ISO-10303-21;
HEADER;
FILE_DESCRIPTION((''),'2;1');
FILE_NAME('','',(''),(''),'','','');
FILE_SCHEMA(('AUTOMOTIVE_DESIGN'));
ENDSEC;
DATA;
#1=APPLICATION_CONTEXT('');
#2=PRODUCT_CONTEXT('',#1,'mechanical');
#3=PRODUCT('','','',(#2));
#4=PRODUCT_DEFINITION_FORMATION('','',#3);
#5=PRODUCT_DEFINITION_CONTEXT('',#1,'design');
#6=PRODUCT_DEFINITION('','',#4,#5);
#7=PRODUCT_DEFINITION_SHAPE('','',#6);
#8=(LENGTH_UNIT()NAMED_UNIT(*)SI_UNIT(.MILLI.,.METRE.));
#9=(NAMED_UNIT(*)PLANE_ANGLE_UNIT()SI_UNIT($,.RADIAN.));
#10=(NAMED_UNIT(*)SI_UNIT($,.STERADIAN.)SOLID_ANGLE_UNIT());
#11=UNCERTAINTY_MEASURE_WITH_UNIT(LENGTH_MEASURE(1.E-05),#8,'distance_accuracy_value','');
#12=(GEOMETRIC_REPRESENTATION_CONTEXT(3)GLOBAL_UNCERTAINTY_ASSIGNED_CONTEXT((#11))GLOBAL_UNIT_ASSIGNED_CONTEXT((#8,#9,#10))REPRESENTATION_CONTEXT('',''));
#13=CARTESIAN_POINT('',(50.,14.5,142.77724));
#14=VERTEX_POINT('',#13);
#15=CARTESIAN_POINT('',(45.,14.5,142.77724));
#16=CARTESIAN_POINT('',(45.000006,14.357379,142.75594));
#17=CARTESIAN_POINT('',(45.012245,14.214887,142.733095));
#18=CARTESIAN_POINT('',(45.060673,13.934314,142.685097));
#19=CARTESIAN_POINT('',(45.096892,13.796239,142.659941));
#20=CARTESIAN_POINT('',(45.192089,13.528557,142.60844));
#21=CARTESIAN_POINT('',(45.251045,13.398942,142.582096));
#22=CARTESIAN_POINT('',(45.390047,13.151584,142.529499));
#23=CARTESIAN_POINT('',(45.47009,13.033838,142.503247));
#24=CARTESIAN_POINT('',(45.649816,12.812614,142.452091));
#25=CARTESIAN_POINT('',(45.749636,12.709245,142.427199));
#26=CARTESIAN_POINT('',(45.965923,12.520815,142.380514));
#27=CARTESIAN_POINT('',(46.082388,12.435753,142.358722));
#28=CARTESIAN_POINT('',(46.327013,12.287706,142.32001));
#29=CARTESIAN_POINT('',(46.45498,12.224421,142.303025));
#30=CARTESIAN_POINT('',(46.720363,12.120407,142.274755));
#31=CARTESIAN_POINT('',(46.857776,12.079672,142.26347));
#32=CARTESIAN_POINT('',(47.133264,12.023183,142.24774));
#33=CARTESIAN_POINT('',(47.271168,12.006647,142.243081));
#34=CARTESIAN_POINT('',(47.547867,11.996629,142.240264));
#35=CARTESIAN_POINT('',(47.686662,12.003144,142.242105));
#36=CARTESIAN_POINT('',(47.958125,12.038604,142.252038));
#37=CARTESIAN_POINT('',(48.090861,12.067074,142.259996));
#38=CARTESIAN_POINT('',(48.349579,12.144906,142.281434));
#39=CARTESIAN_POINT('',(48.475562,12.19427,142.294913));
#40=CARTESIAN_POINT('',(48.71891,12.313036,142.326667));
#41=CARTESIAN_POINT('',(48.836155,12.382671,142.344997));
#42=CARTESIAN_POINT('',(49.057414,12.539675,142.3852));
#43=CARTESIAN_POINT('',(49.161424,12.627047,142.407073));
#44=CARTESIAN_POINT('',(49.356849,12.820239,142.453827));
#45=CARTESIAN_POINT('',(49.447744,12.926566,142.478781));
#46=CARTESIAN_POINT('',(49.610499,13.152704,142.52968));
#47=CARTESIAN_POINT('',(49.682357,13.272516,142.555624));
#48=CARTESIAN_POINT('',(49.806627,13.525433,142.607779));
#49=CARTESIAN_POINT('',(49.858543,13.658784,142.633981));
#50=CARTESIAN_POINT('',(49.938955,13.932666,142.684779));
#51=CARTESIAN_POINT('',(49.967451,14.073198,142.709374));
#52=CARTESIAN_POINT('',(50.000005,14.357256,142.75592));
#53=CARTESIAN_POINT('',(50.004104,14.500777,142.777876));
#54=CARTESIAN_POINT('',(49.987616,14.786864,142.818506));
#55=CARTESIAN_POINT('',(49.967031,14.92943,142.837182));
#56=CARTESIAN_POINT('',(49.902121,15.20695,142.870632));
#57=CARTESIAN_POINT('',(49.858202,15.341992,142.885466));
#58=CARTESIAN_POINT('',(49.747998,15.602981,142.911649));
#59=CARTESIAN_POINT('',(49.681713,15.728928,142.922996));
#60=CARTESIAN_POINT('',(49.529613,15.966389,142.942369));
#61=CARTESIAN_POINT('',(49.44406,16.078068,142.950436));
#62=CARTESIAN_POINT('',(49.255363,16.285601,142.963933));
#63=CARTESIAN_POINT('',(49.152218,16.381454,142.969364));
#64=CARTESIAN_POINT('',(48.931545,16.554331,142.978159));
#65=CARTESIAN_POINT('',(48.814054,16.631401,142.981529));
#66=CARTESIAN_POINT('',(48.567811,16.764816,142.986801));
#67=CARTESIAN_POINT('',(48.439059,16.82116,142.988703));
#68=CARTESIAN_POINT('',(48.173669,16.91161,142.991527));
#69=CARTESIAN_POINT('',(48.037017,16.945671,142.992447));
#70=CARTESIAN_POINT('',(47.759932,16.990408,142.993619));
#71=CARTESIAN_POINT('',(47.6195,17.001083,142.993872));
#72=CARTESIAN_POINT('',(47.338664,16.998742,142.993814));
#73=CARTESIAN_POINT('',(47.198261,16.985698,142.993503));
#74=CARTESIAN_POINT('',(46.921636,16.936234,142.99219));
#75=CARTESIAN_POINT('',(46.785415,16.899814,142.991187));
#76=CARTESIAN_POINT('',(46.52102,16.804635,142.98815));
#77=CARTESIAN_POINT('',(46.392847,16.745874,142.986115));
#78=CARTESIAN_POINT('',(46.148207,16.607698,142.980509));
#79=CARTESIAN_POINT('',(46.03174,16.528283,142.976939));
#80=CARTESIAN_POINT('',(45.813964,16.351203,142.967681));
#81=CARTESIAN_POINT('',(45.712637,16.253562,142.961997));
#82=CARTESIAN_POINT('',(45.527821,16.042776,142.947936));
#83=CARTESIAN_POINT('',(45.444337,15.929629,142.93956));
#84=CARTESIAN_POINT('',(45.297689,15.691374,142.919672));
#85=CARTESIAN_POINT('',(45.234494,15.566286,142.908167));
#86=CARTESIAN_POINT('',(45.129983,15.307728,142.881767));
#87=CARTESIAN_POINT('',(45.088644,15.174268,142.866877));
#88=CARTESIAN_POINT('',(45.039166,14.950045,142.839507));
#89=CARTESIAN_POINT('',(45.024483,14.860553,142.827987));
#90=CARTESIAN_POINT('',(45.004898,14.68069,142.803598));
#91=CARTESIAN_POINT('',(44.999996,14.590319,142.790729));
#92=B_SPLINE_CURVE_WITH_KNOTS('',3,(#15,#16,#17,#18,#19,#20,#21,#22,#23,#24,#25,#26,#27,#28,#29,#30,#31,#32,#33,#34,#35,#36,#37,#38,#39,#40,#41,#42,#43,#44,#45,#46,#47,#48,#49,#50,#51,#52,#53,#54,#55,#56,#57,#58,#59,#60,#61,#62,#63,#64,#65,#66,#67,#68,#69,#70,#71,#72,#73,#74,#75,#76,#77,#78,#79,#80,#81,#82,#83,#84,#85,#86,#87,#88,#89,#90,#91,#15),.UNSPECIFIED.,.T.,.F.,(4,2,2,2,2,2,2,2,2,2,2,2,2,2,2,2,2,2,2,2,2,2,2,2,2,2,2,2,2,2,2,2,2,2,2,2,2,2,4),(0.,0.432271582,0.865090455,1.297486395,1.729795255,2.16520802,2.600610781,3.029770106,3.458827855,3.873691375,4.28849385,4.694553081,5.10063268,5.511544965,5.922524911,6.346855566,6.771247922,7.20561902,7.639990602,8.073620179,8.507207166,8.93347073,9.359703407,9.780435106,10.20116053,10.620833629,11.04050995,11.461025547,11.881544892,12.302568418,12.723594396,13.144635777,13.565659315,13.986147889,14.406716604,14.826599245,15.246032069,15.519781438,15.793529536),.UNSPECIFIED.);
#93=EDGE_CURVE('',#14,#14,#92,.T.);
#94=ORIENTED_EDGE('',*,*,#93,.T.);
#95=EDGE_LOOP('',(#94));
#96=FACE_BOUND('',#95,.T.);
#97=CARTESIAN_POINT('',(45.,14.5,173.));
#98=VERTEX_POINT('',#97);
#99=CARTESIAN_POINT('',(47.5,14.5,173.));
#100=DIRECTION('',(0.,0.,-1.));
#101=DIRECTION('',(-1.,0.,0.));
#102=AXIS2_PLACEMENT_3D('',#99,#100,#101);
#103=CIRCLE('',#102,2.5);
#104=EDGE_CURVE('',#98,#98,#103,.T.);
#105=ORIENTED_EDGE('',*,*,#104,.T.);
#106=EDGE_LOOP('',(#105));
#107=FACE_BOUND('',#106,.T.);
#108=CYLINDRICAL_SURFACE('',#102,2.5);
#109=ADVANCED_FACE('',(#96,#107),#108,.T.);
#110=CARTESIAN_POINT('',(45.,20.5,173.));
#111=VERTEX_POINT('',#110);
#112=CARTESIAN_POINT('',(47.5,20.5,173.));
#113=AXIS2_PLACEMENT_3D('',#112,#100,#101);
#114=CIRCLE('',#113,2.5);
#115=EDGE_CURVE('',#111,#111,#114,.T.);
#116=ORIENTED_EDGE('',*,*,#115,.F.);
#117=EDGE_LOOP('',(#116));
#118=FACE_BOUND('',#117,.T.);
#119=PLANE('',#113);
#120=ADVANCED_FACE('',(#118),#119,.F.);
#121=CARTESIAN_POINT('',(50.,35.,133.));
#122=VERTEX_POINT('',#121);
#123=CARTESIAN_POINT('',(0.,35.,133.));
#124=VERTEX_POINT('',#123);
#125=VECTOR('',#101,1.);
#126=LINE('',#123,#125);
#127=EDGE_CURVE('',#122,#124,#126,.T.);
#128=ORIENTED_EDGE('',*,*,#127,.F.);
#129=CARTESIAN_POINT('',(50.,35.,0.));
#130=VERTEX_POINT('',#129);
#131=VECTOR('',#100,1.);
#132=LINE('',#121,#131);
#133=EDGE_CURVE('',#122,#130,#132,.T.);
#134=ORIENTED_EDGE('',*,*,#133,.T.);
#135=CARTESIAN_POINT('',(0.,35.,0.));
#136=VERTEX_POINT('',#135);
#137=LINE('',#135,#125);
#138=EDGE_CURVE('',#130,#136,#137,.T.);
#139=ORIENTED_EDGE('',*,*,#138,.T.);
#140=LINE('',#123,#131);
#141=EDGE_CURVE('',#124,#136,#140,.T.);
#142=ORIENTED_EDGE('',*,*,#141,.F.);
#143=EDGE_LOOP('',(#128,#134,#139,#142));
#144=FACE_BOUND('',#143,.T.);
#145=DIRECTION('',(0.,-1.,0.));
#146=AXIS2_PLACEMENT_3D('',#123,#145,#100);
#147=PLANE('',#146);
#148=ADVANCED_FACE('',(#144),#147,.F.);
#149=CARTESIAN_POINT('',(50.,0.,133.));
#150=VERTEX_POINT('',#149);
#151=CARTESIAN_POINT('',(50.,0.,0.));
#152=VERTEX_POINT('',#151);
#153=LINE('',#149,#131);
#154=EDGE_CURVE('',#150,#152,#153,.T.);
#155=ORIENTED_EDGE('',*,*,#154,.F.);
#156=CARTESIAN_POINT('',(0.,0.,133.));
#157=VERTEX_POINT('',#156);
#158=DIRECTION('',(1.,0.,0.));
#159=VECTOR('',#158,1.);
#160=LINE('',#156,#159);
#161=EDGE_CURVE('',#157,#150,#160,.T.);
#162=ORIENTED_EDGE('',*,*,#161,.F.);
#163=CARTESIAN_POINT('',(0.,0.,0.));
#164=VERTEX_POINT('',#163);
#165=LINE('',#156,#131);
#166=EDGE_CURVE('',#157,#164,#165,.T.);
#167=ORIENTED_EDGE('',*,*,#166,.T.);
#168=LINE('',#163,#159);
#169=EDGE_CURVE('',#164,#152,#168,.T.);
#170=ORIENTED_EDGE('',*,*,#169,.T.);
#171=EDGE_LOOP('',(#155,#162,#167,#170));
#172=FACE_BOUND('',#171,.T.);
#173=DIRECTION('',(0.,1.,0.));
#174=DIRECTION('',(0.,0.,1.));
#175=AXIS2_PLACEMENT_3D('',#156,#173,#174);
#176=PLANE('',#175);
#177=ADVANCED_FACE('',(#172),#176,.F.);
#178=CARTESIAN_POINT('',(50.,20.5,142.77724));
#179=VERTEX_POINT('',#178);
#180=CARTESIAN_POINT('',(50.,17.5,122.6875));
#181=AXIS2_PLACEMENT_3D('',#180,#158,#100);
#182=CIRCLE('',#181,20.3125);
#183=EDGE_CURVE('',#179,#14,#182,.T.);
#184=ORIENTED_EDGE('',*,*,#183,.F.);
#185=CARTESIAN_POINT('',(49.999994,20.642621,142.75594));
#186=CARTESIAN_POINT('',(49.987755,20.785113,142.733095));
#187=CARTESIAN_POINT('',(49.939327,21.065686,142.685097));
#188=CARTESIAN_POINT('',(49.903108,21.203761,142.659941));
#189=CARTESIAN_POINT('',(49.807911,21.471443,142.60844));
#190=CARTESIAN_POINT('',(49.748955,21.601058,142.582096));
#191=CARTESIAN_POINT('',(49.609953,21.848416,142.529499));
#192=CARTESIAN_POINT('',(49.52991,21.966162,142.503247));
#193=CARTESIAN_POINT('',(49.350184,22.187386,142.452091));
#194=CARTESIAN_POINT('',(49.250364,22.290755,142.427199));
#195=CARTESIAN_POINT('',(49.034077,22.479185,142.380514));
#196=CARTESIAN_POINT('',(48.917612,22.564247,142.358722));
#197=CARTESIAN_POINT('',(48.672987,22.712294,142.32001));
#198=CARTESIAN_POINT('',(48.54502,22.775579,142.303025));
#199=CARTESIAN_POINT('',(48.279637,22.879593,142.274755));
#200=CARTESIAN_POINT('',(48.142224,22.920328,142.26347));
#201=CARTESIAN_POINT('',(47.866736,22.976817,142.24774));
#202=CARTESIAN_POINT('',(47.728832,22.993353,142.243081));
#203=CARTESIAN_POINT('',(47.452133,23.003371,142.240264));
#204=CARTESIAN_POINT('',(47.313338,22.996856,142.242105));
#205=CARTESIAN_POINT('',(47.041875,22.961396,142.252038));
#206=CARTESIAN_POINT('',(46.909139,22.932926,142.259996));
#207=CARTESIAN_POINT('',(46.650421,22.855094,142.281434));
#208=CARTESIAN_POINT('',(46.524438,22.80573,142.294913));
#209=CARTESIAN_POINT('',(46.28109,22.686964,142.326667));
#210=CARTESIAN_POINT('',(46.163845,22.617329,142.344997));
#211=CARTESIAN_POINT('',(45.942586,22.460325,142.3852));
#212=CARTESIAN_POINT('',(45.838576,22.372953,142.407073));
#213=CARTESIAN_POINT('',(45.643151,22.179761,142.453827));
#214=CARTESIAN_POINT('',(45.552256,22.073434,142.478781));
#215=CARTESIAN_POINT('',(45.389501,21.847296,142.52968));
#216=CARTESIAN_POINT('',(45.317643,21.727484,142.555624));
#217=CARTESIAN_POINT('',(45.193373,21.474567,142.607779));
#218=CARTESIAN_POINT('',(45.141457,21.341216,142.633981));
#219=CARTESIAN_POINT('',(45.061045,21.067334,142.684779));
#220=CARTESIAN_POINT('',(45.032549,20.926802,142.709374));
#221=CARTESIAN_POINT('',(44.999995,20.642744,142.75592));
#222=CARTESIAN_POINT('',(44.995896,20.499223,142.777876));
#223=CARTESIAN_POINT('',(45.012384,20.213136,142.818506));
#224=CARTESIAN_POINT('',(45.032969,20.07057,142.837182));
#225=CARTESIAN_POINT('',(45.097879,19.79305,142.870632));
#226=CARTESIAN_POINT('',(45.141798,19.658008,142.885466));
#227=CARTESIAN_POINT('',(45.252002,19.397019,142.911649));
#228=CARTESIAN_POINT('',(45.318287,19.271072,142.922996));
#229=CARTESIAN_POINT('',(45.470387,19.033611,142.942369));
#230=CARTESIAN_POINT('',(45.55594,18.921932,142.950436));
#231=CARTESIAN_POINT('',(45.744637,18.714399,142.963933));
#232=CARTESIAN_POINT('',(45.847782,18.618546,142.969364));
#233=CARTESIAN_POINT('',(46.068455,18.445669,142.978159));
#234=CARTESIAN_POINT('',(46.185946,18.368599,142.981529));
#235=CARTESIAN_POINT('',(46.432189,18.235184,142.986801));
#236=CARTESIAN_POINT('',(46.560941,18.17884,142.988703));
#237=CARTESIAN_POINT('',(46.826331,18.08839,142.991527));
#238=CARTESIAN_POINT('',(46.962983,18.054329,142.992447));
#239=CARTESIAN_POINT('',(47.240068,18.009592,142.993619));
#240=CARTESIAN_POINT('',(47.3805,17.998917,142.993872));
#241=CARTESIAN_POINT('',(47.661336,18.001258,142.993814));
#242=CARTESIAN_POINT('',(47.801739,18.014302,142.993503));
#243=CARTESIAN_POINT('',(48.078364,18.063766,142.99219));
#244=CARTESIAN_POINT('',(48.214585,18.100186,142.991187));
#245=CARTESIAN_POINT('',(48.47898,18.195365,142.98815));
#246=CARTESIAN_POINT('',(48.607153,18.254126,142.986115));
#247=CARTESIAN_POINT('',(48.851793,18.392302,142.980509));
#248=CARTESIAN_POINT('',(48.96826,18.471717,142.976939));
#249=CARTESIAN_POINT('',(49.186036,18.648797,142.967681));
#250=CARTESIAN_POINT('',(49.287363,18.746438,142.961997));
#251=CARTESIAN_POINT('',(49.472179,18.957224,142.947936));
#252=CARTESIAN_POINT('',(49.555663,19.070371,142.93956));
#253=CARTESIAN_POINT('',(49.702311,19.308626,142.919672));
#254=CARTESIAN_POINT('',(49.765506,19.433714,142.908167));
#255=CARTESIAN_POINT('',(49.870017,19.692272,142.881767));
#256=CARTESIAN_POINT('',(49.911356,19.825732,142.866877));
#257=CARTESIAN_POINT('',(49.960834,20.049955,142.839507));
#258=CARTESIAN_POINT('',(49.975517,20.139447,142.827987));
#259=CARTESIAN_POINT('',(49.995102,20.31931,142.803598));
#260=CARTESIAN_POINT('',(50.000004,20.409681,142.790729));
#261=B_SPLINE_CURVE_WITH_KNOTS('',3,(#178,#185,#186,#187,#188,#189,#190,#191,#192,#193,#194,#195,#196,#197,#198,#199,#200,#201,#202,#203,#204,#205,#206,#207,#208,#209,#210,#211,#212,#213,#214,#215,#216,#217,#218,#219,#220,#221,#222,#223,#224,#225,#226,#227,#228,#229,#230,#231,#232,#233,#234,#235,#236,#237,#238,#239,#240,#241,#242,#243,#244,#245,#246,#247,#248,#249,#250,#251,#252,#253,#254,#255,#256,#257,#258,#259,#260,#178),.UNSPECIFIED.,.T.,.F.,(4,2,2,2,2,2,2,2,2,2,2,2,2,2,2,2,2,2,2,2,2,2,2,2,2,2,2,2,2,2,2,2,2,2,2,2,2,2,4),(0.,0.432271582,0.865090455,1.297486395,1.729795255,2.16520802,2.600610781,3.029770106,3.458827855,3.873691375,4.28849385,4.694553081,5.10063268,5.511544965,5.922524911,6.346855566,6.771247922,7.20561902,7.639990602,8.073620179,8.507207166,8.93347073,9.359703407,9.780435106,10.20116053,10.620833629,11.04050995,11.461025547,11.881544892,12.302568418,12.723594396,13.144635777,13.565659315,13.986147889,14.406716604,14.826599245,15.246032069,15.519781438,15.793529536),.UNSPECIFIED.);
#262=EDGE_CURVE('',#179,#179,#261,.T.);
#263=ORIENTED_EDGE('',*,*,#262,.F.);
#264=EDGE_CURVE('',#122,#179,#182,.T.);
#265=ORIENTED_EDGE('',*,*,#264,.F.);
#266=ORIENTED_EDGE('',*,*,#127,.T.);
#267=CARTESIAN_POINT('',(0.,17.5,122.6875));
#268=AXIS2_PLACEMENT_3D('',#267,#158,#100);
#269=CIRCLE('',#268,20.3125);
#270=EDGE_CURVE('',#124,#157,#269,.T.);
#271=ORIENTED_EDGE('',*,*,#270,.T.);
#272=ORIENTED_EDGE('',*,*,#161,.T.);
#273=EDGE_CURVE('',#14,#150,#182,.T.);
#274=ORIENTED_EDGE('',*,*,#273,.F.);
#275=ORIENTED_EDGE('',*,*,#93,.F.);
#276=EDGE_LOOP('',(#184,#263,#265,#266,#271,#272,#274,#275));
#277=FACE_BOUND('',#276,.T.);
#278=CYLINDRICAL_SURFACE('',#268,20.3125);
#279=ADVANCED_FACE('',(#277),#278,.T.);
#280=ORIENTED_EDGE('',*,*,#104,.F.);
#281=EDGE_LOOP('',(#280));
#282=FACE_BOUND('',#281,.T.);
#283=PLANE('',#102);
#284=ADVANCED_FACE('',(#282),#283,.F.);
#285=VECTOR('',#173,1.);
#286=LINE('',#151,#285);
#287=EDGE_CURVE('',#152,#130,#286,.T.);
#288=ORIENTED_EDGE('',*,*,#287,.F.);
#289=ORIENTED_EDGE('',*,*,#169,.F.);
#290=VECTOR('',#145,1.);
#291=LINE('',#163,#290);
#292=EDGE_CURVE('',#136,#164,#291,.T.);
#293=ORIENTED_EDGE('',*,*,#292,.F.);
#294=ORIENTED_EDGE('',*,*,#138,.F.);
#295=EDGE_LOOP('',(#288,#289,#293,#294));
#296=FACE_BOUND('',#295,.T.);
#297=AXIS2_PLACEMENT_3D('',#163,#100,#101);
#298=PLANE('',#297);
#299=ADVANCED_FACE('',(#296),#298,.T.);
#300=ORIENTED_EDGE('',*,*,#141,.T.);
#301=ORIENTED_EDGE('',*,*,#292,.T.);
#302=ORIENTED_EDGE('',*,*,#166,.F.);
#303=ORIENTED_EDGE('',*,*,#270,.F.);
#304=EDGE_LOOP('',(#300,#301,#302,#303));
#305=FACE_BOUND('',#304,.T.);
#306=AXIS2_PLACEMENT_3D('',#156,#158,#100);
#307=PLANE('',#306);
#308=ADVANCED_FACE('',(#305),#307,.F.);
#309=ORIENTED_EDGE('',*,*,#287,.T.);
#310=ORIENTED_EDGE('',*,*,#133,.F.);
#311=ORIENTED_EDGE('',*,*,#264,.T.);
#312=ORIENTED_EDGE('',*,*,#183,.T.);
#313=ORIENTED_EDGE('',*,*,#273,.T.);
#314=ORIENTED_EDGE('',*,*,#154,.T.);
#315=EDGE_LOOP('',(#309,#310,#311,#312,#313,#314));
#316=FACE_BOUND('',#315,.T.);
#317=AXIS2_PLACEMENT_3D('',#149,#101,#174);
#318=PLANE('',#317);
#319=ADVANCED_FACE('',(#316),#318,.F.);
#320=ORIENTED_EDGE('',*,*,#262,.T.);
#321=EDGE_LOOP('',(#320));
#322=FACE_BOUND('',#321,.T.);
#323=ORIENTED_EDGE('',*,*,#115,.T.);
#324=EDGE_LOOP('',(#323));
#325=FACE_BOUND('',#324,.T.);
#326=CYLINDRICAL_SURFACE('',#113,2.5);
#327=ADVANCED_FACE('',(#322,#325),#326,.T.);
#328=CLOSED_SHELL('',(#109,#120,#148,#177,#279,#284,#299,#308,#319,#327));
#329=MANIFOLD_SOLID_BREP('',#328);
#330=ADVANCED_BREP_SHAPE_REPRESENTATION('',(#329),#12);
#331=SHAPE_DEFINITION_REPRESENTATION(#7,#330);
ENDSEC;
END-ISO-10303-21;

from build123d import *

# Parameters (mm, degrees)
ESQUISSE1_W        = 50
ESQUISSE1_H        = 35
BOSS_EXTRU_1_DEPTH = 133
BOSS_EXTRU_2_DEPTH = 50
ESQUISSE3_R        = 2.5
BOSS_EXTRU_3_DEPTH = 173


with BuildPart() as part:
    # Esquisse1 → Boss.-Extru.1 (new body)
    with BuildSketch(Plane.XY):
        with Locations((25, 17.5)):
            Rectangle(ESQUISSE1_W, ESQUISSE1_H)
    extrude(amount=BOSS_EXTRU_1_DEPTH)

    # Esquisse2 → Boss.-Extru.2 (add)
    with BuildSketch(Plane(origin=(50, 0, 0), x_dir=(0, 0, -1), z_dir=(1, 0, 0))):
        with BuildLine():
            Line((-133, 35), (-133, 0))
            ThreePointArc((-133, 0), (-143, 17.5), (-133, 35))
        make_face()
    extrude(amount=-BOSS_EXTRU_2_DEPTH)

    # Esquisse3 → Boss.-Extru.3 (add)
    with BuildSketch(Plane(origin=(0, 0, 0), x_dir=(-1, 0, 0), z_dir=(0, 0, -1))):
        with Locations((-47.5, 20.5)):
            Circle(ESQUISSE3_R)
        with Locations((-47.5, 14.5)):
            Circle(ESQUISSE3_R)
    extrude(amount=-BOSS_EXTRU_3_DEPTH)


solid = part.part
